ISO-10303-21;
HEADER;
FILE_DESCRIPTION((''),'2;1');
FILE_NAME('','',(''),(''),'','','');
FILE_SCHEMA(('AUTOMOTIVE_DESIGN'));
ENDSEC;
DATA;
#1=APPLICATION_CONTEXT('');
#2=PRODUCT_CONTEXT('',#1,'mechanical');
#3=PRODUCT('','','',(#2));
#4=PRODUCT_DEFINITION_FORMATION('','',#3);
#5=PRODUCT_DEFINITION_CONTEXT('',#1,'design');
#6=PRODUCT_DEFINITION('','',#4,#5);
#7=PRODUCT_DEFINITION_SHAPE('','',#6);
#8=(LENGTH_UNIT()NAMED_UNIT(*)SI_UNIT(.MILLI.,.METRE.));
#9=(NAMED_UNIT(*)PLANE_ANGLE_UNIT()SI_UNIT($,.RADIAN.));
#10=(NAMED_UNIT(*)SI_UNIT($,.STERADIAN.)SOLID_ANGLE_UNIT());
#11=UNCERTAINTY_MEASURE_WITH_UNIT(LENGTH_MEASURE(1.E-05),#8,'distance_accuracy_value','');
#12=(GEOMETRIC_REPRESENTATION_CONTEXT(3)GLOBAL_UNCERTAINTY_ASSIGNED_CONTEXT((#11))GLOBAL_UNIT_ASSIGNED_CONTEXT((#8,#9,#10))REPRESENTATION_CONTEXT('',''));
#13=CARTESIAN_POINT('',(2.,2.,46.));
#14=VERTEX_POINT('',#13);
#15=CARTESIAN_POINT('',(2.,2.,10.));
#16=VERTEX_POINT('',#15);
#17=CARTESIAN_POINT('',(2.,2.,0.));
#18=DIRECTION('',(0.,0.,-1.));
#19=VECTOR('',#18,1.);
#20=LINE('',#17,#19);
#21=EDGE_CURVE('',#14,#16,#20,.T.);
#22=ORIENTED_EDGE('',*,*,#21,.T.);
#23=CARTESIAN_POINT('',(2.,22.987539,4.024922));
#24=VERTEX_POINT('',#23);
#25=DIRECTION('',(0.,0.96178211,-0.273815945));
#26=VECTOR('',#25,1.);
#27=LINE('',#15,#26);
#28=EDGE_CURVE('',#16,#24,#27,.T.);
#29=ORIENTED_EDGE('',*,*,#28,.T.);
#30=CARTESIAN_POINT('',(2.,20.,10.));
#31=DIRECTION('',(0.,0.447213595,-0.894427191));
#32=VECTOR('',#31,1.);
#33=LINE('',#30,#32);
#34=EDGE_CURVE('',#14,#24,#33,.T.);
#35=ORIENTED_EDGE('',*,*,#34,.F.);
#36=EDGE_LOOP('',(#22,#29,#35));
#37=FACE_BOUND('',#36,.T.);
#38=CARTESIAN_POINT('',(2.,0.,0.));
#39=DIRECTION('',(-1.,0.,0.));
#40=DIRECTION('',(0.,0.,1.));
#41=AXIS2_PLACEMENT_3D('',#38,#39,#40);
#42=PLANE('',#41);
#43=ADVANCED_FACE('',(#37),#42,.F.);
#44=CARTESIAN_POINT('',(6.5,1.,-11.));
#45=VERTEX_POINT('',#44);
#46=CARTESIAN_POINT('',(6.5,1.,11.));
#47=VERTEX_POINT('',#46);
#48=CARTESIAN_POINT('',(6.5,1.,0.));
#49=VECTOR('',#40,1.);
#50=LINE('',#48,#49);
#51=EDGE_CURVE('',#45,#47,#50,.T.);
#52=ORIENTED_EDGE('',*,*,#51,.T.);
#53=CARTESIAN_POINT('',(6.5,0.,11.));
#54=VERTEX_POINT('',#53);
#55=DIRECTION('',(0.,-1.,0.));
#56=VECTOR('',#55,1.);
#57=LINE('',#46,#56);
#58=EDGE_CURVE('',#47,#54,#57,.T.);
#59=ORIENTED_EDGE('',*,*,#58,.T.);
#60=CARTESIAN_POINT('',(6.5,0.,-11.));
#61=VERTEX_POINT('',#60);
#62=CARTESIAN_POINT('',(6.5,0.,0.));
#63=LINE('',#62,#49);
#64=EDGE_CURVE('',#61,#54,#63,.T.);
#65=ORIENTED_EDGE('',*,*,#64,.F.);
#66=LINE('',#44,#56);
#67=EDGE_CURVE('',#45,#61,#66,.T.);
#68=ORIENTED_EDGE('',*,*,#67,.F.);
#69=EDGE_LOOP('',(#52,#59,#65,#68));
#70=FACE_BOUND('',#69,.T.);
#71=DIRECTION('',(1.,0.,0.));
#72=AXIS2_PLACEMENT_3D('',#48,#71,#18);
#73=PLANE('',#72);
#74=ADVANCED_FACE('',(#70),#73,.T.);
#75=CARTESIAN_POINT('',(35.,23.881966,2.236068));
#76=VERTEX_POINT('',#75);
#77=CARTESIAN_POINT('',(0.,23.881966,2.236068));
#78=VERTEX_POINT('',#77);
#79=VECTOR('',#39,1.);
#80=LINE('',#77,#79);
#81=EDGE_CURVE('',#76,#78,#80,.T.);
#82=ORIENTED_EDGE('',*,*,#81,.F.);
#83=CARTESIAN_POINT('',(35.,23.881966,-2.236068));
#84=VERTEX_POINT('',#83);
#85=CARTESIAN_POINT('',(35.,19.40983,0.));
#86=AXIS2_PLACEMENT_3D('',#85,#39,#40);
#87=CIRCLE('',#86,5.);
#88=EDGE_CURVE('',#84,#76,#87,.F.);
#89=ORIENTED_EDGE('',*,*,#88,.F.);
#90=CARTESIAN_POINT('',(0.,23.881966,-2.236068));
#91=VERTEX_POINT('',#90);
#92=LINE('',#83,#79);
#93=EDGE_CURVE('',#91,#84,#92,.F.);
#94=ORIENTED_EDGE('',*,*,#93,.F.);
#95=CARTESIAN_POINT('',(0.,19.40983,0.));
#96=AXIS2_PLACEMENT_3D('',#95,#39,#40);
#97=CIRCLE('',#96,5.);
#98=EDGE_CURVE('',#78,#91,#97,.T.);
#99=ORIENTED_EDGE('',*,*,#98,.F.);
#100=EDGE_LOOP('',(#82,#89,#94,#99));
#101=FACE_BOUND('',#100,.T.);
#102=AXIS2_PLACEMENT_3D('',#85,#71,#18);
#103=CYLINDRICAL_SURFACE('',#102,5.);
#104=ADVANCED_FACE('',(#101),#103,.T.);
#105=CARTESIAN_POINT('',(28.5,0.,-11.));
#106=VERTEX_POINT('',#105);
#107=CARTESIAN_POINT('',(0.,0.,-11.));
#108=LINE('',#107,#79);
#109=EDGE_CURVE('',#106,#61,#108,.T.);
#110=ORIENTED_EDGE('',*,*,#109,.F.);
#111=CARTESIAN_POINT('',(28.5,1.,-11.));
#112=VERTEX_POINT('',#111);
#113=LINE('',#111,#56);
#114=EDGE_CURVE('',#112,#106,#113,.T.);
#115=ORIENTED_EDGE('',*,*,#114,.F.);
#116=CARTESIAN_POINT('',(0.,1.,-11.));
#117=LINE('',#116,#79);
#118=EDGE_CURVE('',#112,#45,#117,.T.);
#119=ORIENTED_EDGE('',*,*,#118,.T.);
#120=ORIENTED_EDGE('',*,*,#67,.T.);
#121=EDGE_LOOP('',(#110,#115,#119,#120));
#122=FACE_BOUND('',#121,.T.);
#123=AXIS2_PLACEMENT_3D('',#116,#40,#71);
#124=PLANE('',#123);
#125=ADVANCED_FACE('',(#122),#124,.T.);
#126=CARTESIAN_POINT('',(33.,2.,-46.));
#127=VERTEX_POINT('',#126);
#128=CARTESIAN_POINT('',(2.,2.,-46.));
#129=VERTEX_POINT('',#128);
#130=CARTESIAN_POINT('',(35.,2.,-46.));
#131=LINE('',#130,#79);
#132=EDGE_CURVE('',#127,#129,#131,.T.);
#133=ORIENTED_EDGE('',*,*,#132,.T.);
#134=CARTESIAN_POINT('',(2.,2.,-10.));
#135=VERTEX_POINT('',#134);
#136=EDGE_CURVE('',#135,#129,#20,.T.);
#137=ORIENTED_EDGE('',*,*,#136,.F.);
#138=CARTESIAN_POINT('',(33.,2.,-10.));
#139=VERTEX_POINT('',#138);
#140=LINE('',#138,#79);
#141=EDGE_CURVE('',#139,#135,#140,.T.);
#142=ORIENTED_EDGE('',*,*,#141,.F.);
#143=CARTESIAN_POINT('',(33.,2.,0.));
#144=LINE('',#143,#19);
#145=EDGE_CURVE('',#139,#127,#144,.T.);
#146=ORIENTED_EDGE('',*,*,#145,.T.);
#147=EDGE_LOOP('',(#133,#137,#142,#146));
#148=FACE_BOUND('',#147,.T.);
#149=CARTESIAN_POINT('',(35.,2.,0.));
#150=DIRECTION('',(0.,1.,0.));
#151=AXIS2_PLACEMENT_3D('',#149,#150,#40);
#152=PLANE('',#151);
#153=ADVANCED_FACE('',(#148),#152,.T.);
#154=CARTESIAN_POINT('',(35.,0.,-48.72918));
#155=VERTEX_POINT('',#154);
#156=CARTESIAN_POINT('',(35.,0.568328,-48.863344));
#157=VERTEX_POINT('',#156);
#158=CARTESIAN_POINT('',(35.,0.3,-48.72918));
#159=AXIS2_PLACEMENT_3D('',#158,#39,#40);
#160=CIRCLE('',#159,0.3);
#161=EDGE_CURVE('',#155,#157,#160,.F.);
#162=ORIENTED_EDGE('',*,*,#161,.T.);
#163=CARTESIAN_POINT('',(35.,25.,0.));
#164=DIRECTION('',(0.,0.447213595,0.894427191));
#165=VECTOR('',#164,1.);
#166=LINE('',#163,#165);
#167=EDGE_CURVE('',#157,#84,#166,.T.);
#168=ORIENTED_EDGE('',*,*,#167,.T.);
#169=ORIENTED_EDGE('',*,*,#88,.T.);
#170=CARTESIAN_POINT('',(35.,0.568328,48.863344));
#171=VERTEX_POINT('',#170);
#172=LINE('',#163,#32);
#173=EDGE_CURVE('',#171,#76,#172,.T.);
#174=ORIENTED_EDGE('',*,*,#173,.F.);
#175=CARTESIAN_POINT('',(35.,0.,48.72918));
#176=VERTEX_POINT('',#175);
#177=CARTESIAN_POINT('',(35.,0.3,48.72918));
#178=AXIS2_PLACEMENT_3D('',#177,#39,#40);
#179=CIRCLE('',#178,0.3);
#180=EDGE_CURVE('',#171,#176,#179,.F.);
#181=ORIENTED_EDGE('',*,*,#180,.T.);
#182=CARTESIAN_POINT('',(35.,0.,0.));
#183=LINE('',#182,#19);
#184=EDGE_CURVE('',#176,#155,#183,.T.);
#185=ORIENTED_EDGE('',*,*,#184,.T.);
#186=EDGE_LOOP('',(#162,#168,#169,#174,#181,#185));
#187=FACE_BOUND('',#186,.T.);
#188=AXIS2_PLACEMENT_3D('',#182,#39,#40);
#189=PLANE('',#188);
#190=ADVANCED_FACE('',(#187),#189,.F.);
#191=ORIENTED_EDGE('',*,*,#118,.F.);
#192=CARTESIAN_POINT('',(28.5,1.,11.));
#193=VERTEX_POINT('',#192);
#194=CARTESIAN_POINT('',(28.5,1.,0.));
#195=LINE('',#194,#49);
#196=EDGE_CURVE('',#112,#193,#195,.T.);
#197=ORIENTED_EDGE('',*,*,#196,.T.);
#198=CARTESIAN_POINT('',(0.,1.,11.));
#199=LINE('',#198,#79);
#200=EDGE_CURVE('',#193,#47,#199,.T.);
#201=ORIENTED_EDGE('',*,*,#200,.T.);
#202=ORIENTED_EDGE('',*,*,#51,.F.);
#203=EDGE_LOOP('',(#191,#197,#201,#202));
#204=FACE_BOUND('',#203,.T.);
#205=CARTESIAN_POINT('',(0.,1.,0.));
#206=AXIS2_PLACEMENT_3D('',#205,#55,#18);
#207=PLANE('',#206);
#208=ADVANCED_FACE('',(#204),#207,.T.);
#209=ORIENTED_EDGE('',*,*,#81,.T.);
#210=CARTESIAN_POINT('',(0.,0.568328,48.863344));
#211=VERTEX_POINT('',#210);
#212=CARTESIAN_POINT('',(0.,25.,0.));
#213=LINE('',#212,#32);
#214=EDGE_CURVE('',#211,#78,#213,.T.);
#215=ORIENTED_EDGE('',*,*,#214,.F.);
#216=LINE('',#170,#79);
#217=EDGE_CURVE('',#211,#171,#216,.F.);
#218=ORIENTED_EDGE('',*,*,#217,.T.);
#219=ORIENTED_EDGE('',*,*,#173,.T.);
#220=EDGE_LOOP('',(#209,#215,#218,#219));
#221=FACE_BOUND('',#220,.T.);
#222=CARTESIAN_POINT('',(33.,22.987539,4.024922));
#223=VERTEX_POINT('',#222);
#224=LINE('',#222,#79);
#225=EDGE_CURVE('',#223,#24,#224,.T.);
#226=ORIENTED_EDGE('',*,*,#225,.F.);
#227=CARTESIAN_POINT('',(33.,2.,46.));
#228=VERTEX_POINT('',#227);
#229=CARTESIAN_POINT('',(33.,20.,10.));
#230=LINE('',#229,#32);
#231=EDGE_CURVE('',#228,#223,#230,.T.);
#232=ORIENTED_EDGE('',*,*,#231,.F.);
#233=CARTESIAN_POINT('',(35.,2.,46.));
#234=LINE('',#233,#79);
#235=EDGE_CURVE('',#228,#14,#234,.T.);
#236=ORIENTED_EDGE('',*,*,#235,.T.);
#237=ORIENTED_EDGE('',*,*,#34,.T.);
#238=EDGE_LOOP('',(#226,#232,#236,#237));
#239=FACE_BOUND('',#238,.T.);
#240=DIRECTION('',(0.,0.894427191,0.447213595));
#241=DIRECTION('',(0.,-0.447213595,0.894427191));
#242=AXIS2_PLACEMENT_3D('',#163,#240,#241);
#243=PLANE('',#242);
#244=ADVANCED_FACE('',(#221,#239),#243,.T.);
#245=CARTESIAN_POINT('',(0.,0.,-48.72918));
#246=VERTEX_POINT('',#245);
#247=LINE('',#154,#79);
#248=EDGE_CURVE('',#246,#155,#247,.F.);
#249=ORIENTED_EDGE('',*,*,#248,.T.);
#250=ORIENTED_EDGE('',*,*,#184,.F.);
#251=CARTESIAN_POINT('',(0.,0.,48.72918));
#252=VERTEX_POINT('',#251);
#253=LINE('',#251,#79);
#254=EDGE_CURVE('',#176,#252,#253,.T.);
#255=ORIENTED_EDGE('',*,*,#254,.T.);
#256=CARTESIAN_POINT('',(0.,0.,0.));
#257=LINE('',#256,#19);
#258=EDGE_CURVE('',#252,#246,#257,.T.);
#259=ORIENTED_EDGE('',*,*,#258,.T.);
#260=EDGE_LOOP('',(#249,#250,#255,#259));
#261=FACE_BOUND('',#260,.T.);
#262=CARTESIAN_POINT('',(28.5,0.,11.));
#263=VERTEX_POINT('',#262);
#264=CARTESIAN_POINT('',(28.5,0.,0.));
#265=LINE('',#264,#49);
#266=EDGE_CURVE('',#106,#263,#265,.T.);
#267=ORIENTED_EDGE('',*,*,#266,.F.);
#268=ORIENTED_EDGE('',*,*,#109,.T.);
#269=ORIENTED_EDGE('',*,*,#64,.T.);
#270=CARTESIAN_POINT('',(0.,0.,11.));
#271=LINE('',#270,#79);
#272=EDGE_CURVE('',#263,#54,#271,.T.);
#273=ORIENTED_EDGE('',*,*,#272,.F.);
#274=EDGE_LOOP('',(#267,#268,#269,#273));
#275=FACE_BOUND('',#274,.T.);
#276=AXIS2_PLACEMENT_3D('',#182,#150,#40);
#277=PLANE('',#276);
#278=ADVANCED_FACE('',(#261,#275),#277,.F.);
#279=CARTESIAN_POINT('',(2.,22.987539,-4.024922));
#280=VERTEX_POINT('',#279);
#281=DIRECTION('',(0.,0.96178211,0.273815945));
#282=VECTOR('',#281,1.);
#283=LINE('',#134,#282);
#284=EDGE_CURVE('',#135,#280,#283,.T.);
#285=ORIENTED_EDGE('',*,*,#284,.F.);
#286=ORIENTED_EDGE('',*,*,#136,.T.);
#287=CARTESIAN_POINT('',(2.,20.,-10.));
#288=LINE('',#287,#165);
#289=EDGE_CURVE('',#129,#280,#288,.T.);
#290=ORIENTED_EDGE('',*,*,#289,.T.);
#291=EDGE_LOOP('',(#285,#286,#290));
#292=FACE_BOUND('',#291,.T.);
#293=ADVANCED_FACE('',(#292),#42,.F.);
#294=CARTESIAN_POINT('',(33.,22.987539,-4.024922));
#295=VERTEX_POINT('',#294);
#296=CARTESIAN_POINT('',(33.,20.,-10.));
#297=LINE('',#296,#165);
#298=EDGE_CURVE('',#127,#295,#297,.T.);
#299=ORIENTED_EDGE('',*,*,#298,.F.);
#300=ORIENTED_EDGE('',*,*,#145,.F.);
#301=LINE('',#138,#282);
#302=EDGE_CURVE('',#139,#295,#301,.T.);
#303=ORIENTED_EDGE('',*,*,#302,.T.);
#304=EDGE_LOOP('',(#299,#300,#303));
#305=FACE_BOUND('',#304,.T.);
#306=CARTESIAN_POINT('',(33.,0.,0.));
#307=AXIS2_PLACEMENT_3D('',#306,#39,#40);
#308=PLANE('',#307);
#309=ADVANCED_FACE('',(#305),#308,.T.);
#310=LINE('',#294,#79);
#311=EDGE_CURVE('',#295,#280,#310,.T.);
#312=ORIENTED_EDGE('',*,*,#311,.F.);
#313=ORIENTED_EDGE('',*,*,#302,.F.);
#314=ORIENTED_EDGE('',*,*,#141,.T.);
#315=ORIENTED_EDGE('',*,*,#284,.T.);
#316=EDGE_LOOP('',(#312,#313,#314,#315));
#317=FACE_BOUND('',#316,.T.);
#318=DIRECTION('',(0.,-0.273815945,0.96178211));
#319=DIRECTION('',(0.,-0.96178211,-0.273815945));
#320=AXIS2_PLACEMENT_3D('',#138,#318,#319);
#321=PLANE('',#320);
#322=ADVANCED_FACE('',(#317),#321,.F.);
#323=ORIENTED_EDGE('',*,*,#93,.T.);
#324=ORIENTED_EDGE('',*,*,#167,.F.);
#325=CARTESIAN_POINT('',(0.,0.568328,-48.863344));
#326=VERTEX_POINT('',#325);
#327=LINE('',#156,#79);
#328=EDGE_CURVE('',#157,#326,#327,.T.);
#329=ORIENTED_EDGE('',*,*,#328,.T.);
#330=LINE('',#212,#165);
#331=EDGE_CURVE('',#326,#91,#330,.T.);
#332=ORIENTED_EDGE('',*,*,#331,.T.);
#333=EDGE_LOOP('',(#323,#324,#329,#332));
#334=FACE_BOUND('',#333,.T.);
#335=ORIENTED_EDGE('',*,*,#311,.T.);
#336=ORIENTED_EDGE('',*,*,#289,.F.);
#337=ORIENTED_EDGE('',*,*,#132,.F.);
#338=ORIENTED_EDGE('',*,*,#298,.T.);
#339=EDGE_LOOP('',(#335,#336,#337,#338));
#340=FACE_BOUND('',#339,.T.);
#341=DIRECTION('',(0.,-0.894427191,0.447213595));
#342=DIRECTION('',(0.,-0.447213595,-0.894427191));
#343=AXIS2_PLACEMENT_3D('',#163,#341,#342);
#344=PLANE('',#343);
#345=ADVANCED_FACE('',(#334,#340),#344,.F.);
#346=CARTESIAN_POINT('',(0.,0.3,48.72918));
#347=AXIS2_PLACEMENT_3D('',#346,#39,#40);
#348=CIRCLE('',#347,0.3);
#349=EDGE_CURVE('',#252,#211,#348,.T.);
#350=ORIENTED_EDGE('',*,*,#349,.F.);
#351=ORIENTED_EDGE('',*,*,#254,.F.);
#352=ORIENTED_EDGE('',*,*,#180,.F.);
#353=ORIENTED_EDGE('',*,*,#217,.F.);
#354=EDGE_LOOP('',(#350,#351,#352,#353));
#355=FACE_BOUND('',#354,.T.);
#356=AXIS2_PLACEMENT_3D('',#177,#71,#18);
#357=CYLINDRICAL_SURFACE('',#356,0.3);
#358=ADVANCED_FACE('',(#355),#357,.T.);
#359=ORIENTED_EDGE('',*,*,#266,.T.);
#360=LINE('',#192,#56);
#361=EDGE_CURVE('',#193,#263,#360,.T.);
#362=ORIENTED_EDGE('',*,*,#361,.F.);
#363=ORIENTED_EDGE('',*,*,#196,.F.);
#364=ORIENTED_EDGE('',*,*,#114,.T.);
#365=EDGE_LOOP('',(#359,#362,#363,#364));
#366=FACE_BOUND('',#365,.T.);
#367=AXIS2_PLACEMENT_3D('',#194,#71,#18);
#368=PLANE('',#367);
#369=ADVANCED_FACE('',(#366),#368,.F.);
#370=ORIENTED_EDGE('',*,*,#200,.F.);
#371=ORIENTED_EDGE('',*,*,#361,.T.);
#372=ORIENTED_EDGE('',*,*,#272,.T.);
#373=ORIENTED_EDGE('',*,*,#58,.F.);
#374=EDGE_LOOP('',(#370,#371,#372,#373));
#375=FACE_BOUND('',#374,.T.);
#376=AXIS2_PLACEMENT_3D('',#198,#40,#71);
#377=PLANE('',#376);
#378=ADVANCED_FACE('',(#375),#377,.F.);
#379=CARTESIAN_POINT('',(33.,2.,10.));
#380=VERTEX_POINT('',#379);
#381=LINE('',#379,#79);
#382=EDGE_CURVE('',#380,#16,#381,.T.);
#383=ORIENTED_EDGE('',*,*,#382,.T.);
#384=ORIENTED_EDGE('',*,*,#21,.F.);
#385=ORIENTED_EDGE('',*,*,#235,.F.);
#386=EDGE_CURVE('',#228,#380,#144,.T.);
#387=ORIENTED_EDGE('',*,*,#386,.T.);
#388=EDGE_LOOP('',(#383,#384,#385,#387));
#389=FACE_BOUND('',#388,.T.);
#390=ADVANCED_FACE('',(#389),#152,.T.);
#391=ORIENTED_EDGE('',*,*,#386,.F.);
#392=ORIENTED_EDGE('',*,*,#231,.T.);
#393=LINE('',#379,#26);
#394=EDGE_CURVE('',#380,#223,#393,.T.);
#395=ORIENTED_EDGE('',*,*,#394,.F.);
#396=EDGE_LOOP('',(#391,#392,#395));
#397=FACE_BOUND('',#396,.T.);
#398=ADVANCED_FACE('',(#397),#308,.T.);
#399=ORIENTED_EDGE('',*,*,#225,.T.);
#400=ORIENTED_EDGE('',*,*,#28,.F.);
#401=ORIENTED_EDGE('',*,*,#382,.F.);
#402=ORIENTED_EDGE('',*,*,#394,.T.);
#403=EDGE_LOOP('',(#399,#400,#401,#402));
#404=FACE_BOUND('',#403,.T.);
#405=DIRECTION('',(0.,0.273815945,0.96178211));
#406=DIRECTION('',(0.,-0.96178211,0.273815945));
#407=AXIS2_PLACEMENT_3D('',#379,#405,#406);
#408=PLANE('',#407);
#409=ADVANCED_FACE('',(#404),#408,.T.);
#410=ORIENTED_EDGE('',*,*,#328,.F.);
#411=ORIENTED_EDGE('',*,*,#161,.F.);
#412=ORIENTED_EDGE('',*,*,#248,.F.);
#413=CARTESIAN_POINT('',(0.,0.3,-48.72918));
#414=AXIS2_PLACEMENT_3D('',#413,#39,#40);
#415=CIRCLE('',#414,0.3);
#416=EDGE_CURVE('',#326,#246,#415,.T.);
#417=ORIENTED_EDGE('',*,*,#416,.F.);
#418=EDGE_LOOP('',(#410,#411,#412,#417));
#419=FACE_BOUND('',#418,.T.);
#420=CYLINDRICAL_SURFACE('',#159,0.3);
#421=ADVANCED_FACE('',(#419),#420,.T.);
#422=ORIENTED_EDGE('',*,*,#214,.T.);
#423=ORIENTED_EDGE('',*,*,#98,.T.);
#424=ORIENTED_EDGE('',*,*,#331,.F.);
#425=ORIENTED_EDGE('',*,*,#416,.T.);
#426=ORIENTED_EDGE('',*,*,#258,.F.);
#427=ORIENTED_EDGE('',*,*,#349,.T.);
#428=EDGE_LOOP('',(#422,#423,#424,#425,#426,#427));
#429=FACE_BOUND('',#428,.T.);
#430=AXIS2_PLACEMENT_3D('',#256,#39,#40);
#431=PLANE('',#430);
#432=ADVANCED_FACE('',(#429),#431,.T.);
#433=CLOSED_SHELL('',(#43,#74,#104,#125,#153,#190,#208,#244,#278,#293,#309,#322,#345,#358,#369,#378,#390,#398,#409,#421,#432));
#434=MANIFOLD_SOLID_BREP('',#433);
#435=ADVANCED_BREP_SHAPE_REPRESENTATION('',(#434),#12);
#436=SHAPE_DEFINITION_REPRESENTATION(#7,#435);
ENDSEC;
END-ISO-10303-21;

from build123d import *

# Parameters (mm, degrees)
BOSS_EXTRUDE5_DEPTH = 35
SHELL8_T            = -2
BOSS_EXTRUDE6_DEPTH = 31
BOSS_EXTRUDE7_DEPTH = 31
FILLET1_R           = 5
FILLET2_R           = 0.3
FILLET3_R           = 0.3
SKETCH3_W           = 11
SKETCH3_H           = 22
CUT_EXTRUDE2_DEPTH  = 1


with BuildPart() as part:
    # Sketch2 → Boss-Extrude5 (new body)
    with BuildSketch(Plane(origin=(0, 0, 0), x_dir=(0, 0, -1), z_dir=(1, 0, 0))):
        Polygon((0, 0), (50, 0), (0, 25), align=None)
    boss_extrude5 = extrude(amount=BOSS_EXTRUDE5_DEPTH)

    # Mirror1: Boss-Extrude5 across Front Plane
    add(boss_extrude5.mirror(Plane.XY))

    # Shell8
    shell8_openings = [part.faces().sort_by_distance(p)[0] for p in [
        (17.5, 12.5, 25),
        (17.5, 12.5, -25),
    ]]
    offset(amount=SHELL8_T, openings=shell8_openings, kind=Kind.INTERSECTION)

    # 3DSketch9 → Boss-Extrude6 (add)
    with BuildSketch(Plane(origin=(33, 25, 0), x_dir=(0, -0.9850310317593959, -0.1723771054143217), z_dir=(-1, 0, 0))):
        Polygon((0, 0), (2.676141178, -3.617771192), (23.349518196, 0), (21.961909265, 7.929346849), (1.288532246, 4.311575657), align=None)
    extrude(amount=BOSS_EXTRUDE6_DEPTH)

    # 3DSketch10 → Boss-Extrude7 (add)
    with BuildSketch(Plane(origin=(33, 2, -4.024922359), x_dir=(0, 0.9336773848792517, 0.3581152621224651), z_dir=(1, 0, 0))):
        Polygon((0, 0), (-2.139766495, -5.578794866), (19.595590361, -7.515957966), align=None)
        Polygon((2.882772252, 7.515957966), (5.022538747, 13.094752832), (22.478362612, 0), align=None)
    extrude(amount=-BOSS_EXTRUDE7_DEPTH)

    # Fillet1
    fillet1_edges = [part.edges().sort_by_distance(p)[0] for p in [
        (17.5, 25, 0),
    ]]
    fillet(fillet1_edges, radius=FILLET1_R)

    # Fillet2
    fillet2_edges = [part.edges().sort_by_distance(p)[0] for p in [
        (17.5, 0, -50),
    ]]
    fillet(fillet2_edges, radius=FILLET2_R)

    # Fillet3
    fillet3_edges = [part.edges().sort_by_distance(p)[0] for p in [
        (17.5, 0, 50),
    ]]
    fillet(fillet3_edges, radius=FILLET3_R)

    # Sketch3 → Cut-Extrude2 (cut)
    with BuildSketch(Plane.XZ):
        with Locations((12, 0)):
            Rectangle(SKETCH3_W, SKETCH3_H)
        with Locations((23, 0)):
            Rectangle(SKETCH3_W, SKETCH3_H)
    extrude(amount=-CUT_EXTRUDE2_DEPTH, mode=Mode.SUBTRACT)


solid = part.part
